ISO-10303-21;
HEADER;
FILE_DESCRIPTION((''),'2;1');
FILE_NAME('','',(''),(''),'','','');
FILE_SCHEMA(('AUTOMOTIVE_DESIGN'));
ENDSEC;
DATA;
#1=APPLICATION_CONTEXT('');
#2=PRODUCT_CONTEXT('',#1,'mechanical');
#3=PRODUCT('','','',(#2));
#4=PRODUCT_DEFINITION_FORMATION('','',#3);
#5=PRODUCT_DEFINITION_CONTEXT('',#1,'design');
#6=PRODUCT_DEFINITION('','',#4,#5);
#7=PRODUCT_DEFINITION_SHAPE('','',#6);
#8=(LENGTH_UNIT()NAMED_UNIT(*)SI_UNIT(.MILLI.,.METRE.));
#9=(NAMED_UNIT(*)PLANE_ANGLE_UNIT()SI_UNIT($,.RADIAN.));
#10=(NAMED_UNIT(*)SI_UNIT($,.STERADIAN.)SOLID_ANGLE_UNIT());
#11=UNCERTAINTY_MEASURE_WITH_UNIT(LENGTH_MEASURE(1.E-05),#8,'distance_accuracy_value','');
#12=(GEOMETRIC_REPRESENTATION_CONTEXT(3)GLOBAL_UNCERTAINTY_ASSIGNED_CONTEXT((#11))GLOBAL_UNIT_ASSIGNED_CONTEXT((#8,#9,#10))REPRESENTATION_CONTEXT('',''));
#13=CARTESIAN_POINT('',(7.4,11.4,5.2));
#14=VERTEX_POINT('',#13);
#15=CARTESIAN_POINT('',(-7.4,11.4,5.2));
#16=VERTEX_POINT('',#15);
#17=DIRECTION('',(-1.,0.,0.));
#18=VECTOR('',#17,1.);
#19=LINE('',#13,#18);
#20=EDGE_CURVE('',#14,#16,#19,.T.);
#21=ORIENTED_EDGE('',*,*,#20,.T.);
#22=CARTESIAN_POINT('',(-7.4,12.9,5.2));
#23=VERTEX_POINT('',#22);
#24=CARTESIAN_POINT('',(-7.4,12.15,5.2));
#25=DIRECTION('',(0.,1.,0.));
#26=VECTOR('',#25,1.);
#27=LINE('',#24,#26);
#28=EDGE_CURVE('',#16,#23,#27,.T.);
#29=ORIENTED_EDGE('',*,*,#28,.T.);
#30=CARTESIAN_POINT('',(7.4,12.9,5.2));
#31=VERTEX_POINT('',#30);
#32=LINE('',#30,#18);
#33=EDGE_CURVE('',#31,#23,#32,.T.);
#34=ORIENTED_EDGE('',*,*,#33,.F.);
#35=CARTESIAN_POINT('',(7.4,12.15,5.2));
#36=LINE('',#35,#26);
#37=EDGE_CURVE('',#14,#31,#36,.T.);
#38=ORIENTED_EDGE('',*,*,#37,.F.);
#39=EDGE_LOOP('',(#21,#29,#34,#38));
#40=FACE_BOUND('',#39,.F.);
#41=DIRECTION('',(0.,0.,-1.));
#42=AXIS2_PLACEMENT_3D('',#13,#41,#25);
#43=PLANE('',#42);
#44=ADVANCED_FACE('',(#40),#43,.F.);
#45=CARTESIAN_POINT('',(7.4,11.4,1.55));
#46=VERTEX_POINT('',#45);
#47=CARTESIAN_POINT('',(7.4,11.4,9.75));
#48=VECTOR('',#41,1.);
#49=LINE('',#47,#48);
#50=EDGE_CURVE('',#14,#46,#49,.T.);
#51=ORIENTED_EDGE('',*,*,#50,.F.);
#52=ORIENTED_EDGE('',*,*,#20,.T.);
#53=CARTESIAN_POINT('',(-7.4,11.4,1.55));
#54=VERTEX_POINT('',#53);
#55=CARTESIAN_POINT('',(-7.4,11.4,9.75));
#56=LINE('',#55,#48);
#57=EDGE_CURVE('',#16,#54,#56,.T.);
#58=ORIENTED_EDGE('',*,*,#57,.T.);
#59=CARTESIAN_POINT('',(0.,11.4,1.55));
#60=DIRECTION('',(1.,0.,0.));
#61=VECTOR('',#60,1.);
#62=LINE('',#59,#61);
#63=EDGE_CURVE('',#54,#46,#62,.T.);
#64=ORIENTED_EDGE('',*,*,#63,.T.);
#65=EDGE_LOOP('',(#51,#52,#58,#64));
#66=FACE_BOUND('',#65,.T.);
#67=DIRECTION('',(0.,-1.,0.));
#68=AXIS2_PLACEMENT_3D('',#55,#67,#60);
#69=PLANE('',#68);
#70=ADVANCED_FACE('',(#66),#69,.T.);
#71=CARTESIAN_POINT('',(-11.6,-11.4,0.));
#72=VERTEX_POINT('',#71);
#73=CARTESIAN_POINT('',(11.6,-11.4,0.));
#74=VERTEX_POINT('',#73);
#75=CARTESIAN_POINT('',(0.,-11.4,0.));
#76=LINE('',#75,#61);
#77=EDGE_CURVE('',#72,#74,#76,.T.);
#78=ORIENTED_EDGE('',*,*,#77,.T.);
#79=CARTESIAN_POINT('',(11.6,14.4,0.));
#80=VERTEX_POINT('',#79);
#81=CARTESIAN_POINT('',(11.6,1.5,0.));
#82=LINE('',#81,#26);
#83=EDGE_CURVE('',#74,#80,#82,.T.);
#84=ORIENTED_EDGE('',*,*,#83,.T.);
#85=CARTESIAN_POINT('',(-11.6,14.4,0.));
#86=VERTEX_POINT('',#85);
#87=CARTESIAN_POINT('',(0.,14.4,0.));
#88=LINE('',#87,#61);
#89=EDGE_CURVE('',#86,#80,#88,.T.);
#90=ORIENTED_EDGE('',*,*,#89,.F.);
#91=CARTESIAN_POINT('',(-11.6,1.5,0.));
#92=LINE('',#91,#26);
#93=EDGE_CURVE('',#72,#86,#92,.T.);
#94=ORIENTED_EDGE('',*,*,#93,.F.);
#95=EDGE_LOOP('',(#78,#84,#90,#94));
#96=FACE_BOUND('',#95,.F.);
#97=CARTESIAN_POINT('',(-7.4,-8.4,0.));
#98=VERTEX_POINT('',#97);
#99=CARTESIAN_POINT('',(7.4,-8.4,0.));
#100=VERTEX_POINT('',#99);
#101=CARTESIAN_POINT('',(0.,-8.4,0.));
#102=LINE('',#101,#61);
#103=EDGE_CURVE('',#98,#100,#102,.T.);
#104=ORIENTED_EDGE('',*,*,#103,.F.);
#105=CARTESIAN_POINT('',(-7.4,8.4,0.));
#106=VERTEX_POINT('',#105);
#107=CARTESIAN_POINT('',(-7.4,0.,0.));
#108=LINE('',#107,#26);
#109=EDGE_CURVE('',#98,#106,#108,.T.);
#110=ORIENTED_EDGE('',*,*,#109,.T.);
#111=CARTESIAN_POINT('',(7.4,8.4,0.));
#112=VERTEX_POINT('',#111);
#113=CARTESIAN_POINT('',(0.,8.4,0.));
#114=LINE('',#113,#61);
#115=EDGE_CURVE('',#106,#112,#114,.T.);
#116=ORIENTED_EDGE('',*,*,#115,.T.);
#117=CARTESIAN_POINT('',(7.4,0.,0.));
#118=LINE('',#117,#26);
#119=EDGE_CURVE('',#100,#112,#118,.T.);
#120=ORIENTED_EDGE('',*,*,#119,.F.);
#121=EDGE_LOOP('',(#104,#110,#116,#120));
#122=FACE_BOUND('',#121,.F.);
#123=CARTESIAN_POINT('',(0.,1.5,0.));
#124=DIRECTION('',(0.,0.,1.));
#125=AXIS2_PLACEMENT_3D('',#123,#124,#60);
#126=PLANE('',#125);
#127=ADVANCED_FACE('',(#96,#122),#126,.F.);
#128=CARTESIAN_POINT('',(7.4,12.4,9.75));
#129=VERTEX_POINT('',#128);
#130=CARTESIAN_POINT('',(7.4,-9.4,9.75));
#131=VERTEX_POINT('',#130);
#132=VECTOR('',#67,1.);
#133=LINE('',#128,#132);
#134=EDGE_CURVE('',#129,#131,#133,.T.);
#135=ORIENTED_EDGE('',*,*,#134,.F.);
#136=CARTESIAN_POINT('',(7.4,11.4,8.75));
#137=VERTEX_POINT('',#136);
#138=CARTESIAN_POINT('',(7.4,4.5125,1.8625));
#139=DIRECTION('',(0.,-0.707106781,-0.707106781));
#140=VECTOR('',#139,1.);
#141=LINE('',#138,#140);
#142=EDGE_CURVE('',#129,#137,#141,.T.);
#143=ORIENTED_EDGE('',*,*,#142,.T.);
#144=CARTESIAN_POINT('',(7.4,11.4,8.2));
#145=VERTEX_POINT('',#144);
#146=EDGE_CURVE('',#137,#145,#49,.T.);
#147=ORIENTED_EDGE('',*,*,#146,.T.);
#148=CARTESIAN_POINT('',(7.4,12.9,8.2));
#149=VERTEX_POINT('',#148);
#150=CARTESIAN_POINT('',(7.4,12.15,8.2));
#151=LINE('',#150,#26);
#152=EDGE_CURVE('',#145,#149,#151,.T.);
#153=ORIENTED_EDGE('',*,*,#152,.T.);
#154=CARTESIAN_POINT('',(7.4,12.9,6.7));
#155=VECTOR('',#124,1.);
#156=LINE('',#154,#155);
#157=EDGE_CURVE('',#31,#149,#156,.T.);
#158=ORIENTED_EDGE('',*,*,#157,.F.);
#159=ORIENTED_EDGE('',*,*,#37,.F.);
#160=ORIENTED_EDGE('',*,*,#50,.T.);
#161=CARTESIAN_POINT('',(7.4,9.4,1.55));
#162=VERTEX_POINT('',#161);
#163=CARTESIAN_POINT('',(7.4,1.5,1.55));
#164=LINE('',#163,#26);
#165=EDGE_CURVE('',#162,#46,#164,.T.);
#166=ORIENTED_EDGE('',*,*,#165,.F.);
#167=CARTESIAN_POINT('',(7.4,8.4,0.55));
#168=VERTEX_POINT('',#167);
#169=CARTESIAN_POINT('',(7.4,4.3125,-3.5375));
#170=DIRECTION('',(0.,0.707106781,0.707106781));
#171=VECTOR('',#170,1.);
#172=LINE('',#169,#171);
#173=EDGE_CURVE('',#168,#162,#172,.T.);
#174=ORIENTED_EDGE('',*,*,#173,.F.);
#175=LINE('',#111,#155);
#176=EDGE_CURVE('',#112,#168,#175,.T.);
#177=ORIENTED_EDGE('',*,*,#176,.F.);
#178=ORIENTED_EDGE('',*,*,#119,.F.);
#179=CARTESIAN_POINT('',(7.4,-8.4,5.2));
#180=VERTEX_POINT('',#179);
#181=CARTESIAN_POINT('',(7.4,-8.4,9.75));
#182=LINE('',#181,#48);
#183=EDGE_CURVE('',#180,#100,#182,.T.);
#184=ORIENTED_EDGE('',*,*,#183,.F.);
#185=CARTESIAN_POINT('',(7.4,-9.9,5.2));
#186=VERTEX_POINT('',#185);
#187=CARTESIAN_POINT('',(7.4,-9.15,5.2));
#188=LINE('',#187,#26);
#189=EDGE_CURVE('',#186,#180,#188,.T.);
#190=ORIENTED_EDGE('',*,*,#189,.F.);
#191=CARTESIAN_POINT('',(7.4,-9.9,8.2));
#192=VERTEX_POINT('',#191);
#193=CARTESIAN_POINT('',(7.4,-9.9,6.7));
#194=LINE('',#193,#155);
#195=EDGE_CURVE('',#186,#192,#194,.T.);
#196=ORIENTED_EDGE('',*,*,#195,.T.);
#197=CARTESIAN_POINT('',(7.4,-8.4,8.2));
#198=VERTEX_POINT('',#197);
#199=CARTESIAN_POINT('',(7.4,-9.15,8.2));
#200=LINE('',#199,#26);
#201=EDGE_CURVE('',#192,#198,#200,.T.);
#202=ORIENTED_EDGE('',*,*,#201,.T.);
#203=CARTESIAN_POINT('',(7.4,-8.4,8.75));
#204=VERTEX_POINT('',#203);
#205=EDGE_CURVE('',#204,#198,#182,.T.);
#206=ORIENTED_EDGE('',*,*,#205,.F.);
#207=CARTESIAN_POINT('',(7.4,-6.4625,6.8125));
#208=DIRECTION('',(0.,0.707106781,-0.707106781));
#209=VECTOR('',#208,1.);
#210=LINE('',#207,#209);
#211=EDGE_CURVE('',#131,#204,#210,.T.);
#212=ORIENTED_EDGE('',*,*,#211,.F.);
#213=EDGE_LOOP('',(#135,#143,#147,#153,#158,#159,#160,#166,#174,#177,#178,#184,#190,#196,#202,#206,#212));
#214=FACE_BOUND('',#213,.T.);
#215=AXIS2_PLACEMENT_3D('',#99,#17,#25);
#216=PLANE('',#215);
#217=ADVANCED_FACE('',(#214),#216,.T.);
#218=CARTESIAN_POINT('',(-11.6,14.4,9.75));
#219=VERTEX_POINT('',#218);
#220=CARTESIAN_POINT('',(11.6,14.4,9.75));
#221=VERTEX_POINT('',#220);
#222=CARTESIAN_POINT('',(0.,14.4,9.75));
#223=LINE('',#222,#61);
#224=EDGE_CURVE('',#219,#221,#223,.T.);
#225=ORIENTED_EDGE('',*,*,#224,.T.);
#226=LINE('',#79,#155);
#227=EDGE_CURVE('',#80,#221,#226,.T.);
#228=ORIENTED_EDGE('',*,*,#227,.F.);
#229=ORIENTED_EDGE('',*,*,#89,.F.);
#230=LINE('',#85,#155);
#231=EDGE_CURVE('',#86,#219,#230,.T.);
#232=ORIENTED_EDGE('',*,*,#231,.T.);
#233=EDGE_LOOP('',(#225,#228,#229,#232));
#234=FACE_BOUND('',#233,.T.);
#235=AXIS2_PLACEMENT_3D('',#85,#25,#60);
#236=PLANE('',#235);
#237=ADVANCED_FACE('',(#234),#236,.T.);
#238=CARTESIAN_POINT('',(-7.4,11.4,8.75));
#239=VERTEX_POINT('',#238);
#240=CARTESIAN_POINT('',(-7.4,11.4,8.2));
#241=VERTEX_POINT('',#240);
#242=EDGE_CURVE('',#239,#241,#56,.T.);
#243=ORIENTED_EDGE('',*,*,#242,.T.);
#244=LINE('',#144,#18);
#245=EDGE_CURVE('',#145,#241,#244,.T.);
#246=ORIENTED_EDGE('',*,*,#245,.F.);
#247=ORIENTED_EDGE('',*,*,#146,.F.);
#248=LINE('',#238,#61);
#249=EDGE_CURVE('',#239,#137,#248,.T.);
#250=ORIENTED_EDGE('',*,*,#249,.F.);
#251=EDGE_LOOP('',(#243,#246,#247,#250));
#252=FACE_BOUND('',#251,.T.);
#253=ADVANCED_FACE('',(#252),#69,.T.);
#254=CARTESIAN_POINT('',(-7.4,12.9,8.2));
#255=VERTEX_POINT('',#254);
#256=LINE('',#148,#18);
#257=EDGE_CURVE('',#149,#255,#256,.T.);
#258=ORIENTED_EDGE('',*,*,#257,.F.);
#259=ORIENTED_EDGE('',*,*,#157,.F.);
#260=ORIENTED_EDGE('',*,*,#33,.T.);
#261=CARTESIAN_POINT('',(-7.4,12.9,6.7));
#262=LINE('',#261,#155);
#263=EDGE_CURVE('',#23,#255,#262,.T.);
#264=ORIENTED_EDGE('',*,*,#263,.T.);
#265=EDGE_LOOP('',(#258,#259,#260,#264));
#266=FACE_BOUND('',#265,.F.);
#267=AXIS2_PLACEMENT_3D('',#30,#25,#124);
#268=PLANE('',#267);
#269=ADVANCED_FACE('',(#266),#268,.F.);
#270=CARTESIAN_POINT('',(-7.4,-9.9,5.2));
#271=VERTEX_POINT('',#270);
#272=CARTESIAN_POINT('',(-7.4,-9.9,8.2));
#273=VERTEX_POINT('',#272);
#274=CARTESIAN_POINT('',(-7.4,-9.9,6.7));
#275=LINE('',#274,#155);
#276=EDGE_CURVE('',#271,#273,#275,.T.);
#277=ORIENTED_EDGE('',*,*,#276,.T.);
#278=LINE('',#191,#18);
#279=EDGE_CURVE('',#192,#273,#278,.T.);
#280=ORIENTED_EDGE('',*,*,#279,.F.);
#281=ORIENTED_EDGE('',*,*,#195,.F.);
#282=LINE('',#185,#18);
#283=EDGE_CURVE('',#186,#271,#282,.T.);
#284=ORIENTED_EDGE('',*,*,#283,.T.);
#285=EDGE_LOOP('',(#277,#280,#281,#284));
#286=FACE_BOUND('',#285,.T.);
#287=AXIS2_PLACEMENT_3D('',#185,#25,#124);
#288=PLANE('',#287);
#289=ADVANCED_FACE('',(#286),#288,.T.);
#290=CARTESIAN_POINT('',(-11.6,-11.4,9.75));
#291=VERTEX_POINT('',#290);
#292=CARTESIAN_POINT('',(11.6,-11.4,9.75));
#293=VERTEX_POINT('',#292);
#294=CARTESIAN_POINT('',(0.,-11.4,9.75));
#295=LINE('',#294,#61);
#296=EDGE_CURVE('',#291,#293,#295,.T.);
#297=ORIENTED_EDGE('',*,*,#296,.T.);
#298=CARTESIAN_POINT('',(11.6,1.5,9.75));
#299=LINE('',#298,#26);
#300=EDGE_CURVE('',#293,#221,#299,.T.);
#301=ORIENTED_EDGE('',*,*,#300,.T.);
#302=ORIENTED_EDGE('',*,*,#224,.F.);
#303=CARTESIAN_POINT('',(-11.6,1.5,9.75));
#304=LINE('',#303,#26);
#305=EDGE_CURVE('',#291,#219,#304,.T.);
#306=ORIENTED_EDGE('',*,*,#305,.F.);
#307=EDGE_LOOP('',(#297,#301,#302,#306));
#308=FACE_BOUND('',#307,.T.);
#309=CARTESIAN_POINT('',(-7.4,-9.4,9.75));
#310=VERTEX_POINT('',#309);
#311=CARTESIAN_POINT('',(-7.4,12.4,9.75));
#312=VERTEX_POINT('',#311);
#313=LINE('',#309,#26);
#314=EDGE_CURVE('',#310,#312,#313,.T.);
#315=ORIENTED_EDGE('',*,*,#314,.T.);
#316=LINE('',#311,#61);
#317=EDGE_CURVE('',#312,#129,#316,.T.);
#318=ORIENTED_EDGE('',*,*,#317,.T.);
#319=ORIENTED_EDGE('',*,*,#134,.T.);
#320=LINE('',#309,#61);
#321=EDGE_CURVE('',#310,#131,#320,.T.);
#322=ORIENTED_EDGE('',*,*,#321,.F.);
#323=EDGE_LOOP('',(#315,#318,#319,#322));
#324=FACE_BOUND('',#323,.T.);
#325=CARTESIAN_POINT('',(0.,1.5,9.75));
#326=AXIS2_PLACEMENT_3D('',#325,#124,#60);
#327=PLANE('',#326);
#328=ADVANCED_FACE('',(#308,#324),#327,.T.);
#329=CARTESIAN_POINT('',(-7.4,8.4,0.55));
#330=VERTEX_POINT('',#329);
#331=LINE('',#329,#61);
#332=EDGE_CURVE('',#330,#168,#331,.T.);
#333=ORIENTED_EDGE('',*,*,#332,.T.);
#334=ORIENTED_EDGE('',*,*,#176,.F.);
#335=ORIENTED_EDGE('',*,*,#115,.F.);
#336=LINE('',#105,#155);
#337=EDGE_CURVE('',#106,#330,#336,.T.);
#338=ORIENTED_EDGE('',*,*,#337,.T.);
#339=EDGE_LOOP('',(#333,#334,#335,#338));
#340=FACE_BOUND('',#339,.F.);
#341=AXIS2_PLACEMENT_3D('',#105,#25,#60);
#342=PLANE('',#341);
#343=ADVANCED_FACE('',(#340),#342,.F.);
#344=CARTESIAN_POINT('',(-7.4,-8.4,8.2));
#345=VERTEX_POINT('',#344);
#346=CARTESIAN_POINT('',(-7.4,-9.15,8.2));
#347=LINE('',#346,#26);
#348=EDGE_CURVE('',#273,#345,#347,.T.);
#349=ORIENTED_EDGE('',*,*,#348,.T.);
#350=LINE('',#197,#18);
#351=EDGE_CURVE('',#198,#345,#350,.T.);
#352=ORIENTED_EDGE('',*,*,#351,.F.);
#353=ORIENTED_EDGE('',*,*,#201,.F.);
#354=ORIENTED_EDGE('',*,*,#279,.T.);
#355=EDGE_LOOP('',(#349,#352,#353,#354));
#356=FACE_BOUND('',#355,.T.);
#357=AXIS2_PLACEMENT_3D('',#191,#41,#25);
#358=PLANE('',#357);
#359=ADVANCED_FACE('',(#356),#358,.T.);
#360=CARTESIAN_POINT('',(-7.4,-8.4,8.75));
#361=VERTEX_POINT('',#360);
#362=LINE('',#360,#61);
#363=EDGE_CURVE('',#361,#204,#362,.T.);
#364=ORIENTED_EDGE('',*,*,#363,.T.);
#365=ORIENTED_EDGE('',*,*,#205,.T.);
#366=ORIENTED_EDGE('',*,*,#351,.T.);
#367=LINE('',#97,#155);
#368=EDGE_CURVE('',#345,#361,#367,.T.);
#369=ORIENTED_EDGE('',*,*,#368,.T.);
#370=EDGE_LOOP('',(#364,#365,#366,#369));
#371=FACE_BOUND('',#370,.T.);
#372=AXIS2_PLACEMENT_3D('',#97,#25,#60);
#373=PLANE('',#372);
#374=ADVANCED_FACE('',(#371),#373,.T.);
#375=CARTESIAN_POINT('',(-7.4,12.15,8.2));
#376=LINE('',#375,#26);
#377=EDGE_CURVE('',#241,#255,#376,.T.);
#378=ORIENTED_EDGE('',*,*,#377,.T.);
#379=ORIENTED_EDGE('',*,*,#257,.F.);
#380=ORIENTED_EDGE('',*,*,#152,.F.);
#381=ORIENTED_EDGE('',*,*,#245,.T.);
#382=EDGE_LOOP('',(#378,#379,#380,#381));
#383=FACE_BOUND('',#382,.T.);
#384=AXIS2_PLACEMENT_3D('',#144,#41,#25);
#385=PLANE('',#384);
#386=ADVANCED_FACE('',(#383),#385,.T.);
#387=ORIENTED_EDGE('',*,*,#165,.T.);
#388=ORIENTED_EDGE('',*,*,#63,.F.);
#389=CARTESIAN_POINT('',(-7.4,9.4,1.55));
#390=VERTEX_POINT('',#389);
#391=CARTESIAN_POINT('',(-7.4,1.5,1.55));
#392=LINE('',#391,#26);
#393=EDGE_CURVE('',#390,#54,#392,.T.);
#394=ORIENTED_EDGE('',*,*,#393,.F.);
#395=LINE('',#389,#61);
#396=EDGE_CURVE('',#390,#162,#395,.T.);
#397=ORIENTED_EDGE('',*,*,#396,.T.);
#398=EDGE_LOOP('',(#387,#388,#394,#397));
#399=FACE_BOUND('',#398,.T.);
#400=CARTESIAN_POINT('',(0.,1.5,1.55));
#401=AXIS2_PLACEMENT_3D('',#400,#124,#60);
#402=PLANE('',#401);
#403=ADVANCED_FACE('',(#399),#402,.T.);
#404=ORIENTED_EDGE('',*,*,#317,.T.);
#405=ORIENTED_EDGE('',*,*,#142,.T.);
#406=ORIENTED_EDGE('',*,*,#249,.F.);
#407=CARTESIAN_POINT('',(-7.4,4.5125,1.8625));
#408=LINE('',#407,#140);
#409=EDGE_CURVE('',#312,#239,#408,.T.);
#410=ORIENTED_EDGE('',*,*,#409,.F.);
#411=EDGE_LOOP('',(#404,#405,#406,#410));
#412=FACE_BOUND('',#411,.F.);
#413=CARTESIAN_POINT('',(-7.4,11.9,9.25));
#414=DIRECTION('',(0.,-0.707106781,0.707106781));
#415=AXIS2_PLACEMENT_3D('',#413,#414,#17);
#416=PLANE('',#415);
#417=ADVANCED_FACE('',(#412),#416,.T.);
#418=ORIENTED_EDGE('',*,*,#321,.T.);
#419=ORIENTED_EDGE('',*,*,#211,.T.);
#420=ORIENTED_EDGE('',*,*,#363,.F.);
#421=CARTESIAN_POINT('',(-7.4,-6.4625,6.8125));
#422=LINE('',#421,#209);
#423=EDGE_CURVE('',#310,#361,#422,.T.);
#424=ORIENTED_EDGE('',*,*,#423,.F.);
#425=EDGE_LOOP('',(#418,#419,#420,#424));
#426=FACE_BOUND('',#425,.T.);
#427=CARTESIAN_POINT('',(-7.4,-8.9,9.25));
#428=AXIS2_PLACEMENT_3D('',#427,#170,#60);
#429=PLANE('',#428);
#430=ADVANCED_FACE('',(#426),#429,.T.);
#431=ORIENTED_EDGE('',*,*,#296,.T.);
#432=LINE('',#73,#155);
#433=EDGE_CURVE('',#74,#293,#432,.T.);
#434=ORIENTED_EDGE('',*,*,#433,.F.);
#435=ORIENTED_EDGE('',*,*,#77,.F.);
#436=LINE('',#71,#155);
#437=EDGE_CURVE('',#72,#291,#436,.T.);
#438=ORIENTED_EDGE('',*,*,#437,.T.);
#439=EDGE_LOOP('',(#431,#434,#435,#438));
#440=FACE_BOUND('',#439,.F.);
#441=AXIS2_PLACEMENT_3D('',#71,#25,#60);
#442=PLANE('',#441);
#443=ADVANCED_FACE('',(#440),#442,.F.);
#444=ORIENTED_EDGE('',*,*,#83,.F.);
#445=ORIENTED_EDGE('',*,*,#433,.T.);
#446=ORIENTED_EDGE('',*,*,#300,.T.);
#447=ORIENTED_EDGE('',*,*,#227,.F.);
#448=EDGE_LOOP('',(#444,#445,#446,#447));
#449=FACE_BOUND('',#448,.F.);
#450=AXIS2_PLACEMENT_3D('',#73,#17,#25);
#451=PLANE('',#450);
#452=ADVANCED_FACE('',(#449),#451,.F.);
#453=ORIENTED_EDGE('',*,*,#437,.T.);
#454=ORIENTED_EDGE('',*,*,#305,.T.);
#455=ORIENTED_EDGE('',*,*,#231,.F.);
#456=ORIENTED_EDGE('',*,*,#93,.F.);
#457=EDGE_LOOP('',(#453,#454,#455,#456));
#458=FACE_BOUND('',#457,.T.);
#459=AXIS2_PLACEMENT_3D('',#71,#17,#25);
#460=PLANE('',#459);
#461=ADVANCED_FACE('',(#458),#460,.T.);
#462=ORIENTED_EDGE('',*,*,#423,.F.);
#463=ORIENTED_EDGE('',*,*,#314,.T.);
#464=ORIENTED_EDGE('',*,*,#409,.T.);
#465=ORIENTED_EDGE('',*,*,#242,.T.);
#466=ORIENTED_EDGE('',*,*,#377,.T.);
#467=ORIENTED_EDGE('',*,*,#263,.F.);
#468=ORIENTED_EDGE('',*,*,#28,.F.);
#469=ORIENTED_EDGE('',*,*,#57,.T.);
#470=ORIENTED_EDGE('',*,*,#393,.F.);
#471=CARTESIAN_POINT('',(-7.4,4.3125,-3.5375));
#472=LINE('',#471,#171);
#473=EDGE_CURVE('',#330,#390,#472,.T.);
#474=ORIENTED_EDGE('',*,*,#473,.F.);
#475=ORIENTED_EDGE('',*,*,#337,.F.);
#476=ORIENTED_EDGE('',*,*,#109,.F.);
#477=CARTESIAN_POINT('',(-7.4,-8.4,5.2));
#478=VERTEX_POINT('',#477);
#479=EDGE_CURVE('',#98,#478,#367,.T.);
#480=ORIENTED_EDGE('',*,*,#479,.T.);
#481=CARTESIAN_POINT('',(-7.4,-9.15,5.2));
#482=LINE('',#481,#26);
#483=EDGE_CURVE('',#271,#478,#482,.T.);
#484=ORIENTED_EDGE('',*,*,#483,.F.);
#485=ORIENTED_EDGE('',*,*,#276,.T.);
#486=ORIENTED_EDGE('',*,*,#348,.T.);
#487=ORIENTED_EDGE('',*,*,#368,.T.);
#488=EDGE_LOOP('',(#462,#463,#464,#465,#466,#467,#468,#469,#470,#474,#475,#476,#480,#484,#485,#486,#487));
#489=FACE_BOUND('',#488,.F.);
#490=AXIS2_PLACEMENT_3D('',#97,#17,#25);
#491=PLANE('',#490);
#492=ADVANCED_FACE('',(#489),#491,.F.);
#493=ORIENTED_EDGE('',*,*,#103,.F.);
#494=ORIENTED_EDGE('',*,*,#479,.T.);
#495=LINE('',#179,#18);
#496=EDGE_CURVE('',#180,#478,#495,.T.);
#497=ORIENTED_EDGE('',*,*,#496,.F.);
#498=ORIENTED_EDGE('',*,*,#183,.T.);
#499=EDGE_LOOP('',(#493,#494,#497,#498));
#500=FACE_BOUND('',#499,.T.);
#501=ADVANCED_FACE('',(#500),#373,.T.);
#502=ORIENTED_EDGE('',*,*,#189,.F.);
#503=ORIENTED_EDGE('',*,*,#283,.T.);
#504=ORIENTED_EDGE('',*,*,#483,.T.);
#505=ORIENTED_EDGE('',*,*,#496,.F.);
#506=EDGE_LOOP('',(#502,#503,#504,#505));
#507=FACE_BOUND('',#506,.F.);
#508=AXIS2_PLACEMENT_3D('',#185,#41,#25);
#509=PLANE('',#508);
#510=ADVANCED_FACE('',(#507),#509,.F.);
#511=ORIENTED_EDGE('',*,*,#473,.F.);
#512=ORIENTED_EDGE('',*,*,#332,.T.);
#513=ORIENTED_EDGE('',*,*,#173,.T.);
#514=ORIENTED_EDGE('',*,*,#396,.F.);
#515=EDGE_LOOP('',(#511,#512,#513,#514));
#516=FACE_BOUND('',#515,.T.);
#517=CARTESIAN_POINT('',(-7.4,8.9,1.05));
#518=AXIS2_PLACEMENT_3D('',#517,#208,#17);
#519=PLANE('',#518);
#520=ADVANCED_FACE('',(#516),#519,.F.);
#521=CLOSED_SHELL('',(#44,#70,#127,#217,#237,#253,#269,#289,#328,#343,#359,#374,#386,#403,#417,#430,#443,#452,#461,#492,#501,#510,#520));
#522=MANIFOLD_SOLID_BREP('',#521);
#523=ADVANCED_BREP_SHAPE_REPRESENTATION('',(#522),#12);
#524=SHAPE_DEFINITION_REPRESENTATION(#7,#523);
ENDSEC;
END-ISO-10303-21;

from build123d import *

# Parameters (mm, degrees)
SKETCH_W        = 23.2
SKETCH_H        = 25.8
SKETCH_W_2      = 14.8
SKETCH_H_2      = 16.8
PAD_DEPTH       = 9.75
SKETCH001_W     = 14.8
SKETCH001_H     = 19.8
POCKET_DEPTH    = 8.2
POCKET001_START = -4.2
SKETCH002_W     = 1.5
SKETCH002_H     = 3
POCKET001_DEPTH = 14.8
CHAMFER_SIZE    = 1


with BuildPart() as part:
    # Sketch → Pad (new body)
    with BuildSketch(Plane.XY):
        with Locations((0, 1.5)):
            Rectangle(SKETCH_W, SKETCH_H)
        Rectangle(SKETCH_W_2, SKETCH_H_2, mode=Mode.SUBTRACT)
    extrude(amount=PAD_DEPTH)

    # Sketch001 (on Face10 of Pad) → Pocket (cut)
    with BuildSketch(Plane.XY.offset(9.75)):
        with Locations((0, 1.5)):
            Rectangle(SKETCH001_W, SKETCH001_H)
    extrude(amount=-POCKET_DEPTH, mode=Mode.SUBTRACT)

    # Sketch002 (on Face6 of Pocket) → Pocket001 (cut)
    with BuildSketch(Plane.YZ.offset(11.6).offset(POCKET001_START)):
        with Locations((-9.15, 6.7)):
            Rectangle(SKETCH002_W, SKETCH002_H)
        with Locations((12.15, 6.7)):
            Rectangle(SKETCH002_W, SKETCH002_H)
    extrude(amount=-POCKET001_DEPTH, mode=Mode.SUBTRACT)

    # Chamfer
    chamfer_edges = [part.edges().sort_by_distance(p)[0] for p in [
        (0, 8.4, 1.55),
        (0, 11.4, 9.75),
        (0, -8.4, 9.75),
    ]]
    chamfer(chamfer_edges, length=CHAMFER_SIZE)


solid = part.part
